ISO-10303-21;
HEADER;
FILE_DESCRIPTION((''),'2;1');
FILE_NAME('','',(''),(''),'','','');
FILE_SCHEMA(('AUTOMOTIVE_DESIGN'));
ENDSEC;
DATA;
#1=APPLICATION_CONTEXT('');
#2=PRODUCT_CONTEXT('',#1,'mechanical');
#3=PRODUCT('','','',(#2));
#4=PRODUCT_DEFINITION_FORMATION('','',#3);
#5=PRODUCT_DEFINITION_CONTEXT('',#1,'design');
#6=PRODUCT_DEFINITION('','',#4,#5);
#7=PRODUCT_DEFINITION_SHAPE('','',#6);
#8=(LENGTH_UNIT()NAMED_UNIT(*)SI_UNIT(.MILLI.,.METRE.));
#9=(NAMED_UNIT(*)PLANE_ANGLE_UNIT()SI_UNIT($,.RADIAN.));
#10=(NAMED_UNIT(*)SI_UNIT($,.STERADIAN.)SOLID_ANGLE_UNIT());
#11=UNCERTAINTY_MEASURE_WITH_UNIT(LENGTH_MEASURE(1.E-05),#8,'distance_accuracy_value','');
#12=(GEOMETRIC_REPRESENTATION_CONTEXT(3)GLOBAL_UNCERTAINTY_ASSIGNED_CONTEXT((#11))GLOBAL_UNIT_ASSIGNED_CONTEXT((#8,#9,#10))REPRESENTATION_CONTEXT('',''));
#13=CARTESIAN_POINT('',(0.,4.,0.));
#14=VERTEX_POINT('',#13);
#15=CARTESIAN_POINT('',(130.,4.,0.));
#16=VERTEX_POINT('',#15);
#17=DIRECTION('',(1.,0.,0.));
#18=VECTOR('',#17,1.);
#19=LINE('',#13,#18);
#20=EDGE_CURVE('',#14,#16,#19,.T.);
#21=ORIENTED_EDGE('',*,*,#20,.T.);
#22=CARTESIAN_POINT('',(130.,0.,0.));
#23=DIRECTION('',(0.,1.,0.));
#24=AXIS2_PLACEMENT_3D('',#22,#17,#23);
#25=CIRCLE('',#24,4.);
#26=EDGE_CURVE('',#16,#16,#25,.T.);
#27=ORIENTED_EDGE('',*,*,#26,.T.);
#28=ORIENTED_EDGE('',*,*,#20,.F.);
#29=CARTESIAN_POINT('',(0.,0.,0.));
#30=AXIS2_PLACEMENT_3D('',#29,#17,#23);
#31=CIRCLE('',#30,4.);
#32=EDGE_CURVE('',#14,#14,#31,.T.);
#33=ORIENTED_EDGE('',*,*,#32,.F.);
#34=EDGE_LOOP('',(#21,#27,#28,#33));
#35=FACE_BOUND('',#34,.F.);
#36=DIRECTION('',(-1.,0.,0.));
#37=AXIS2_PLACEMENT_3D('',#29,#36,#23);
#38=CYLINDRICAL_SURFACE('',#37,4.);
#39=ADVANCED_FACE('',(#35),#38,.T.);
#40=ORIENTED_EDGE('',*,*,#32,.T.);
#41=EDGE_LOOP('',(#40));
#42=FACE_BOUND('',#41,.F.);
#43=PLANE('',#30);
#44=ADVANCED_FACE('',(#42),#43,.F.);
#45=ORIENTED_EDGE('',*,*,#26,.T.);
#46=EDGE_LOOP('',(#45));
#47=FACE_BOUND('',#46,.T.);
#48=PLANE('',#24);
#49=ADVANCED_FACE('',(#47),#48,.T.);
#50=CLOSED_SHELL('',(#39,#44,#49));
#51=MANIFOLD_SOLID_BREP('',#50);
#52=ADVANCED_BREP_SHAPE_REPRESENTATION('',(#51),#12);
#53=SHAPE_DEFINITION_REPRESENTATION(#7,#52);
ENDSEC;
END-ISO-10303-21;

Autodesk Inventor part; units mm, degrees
ref_plane "YZ Plane" through (0, 0, 0) normal (1, 0, 0) x (0, 1, 0)
ref_plane "XZ Plane" through (0, 0, 0) normal (0, 1, 0) x (-1, 0, 0)
ref_plane "XY Plane" through (0, 0, 0) normal (0, 0, 1) x (1, 0, 0)
sketch "Sketch1" plane through (0, 0, 0) normal (1, 0, 0) x (0, 1, 0)
  circle A0 centre (0, 0) radius 4
  dimension "d0" = 8
extrude "Extrusion1" add sketch "Sketch1" along normal blind 130
thread "Thread1" size "M8x1.25" class "6g" standard "ANSI Metric M Profile" full length
properties part number "pivot"
